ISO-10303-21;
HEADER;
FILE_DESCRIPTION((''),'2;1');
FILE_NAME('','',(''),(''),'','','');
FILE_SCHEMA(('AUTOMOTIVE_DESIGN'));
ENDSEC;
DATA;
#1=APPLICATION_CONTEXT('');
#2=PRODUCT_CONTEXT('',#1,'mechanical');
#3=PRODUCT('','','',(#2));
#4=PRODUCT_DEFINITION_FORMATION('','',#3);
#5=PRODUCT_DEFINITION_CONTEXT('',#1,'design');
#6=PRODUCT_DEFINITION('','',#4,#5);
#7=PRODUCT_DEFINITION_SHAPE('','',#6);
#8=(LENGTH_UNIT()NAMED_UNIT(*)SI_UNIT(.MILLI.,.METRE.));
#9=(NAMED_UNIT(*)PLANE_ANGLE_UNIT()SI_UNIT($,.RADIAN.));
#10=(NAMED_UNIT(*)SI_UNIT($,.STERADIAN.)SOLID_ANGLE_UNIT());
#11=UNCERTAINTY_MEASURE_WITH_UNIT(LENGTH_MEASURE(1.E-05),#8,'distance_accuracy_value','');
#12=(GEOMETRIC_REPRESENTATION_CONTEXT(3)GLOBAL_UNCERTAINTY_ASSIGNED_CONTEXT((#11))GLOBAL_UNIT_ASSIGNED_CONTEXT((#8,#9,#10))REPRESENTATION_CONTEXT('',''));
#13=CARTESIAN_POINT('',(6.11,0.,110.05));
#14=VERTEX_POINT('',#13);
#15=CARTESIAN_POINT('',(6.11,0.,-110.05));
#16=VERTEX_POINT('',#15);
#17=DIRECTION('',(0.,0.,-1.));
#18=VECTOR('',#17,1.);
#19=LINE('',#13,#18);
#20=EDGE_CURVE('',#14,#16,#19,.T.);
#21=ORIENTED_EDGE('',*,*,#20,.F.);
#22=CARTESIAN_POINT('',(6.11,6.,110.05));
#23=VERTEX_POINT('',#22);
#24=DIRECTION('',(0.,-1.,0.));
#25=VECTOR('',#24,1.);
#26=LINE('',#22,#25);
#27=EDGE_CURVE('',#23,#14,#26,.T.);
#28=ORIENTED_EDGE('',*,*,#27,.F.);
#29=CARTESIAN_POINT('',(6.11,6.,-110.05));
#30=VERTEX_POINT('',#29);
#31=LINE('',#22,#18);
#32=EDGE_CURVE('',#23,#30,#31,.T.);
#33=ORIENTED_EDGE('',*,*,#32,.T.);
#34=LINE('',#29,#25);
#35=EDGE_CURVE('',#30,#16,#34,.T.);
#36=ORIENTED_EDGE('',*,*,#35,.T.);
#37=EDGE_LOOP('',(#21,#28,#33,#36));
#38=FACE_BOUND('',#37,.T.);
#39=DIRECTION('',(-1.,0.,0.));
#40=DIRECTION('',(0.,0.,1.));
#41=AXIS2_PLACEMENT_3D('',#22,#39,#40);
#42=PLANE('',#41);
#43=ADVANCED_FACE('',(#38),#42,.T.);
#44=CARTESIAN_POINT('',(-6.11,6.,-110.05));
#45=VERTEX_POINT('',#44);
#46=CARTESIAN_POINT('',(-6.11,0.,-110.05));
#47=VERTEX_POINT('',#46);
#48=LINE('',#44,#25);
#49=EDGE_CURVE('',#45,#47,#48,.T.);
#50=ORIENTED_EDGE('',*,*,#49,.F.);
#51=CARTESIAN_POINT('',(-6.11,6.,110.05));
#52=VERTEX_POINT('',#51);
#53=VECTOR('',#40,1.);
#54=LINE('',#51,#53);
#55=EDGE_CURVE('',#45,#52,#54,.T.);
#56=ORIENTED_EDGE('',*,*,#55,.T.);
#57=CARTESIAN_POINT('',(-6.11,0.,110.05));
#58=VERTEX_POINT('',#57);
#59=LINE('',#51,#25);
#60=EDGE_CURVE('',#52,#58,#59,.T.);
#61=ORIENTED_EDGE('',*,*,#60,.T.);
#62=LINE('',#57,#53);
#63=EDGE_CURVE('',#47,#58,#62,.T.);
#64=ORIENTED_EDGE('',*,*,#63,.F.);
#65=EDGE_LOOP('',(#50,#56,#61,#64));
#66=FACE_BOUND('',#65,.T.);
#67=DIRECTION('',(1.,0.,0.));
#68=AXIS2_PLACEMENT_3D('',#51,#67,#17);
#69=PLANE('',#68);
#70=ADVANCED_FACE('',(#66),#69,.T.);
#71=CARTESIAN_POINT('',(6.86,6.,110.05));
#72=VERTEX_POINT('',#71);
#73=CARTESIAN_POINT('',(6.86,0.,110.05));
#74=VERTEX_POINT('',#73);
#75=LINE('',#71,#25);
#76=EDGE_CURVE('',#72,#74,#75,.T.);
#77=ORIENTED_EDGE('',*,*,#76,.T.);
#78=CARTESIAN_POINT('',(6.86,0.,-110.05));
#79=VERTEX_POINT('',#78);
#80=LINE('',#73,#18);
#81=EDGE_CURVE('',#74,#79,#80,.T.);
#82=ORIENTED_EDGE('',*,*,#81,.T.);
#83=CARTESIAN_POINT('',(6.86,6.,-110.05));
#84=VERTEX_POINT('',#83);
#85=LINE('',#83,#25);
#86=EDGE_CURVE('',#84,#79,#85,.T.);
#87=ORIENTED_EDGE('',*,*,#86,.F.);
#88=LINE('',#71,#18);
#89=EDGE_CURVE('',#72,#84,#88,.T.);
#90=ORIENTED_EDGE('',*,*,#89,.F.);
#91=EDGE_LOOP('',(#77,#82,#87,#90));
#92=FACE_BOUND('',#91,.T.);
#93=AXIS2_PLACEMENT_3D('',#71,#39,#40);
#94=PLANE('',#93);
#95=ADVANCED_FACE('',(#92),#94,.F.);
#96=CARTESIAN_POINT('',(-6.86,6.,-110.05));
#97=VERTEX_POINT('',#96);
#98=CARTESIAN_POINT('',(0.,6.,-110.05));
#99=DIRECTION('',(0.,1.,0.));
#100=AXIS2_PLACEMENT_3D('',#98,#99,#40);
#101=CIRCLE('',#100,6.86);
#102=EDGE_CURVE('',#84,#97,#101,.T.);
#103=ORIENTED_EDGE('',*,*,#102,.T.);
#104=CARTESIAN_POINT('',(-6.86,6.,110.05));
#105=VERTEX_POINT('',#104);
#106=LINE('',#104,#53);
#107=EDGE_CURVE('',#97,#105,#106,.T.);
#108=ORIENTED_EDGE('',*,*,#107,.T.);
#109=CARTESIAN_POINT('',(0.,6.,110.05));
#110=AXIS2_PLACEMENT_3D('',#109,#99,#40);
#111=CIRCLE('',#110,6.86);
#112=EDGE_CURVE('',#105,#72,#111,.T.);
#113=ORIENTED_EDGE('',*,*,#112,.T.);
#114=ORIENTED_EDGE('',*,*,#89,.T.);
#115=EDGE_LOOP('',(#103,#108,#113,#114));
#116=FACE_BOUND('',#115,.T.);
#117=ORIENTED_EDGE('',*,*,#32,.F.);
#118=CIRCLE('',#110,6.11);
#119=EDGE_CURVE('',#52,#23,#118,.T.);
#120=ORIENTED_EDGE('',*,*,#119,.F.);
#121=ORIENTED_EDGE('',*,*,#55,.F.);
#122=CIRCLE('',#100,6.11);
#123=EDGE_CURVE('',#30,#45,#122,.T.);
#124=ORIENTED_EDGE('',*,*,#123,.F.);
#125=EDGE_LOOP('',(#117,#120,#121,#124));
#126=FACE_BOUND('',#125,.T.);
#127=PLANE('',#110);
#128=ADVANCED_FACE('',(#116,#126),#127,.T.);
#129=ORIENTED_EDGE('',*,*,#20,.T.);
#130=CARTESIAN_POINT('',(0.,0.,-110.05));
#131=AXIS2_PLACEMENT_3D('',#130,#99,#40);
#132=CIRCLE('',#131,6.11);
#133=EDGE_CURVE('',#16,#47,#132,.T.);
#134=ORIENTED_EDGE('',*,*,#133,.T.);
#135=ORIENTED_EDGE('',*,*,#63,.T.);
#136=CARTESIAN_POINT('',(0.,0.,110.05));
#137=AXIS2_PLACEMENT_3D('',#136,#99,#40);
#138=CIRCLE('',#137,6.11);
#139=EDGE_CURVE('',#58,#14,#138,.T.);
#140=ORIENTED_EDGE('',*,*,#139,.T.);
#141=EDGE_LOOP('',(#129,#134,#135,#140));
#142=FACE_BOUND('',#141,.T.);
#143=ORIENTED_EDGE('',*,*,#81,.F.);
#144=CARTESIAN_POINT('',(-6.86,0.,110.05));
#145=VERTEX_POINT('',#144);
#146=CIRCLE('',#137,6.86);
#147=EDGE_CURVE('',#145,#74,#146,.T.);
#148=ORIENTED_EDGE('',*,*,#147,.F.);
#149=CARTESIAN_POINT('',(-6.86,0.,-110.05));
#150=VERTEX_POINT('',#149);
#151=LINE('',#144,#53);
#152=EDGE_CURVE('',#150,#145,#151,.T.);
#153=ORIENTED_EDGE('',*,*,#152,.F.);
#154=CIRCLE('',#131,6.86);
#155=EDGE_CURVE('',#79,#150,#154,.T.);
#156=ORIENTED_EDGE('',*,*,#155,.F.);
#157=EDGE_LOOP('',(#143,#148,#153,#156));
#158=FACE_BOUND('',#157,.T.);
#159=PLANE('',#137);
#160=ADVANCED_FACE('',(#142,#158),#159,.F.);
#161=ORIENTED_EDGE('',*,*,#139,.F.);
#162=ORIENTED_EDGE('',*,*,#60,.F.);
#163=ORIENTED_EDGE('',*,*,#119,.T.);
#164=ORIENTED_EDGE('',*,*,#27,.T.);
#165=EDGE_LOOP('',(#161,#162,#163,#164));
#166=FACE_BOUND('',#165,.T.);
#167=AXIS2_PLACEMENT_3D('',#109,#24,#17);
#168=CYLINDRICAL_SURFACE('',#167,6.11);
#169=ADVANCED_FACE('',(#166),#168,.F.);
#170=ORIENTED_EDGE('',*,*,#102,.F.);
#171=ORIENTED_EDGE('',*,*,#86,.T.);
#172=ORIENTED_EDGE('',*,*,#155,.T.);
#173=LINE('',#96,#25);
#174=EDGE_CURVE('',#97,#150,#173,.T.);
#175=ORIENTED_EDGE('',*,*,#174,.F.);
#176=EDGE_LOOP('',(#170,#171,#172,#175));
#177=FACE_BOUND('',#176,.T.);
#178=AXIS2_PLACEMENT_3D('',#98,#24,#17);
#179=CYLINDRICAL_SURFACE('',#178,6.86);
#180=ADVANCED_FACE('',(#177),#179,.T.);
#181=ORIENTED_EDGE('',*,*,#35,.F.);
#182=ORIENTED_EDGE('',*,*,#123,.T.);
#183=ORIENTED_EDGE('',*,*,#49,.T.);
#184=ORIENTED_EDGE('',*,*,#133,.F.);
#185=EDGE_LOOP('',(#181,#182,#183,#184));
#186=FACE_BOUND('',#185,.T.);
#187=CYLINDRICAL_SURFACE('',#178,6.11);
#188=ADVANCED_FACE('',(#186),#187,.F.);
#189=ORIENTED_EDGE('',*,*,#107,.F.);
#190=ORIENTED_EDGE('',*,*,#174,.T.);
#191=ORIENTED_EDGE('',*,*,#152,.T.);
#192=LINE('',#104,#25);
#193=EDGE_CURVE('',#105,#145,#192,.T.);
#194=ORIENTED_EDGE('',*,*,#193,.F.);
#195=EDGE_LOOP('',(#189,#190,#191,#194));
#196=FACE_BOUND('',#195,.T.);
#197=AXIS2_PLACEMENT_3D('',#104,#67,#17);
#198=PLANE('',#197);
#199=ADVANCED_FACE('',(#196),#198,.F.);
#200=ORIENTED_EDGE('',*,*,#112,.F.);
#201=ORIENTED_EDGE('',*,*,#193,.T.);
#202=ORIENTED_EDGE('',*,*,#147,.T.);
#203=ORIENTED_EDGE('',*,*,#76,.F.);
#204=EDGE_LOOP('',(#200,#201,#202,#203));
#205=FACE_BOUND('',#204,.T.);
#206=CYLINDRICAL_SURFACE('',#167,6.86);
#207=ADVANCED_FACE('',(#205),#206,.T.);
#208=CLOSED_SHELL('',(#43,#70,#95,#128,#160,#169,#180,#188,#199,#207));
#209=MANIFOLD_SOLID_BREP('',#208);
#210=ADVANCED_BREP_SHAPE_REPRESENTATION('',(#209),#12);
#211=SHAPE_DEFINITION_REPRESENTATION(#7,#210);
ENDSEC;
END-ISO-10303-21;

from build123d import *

# Parameters (mm, degrees)
EXTRUDE_1_DEPTH = 6


with BuildPart() as part:
    # 草图1 → 凸台-拉伸1 (new body)
    with BuildSketch(Plane(origin=(0, 0, 0), x_dir=(1, 0, 0), z_dir=(0, 1, 0))):
        with BuildLine():
            Line((-6.86, -110.05), (-6.86, 110.05))
            ThreePointArc((-6.86, 110.05), (0, 116.91), (6.86, 110.05))
            Line((6.86, 110.05), (6.86, -110.05))
            ThreePointArc((6.86, -110.05), (0, -116.91), (-6.86, -110.05))
        make_face()
        with BuildLine():
            Line((-6.11, -110.05), (-6.11, 110.05))
            ThreePointArc((-6.11, 110.05), (0, 116.16), (6.11, 110.05))
            Line((6.11, 110.05), (6.11, -110.05))
            ThreePointArc((6.11, -110.05), (0, -116.16), (-6.11, -110.05))
        make_face(mode=Mode.SUBTRACT)
    extrude(amount=EXTRUDE_1_DEPTH)


solid = part.part
